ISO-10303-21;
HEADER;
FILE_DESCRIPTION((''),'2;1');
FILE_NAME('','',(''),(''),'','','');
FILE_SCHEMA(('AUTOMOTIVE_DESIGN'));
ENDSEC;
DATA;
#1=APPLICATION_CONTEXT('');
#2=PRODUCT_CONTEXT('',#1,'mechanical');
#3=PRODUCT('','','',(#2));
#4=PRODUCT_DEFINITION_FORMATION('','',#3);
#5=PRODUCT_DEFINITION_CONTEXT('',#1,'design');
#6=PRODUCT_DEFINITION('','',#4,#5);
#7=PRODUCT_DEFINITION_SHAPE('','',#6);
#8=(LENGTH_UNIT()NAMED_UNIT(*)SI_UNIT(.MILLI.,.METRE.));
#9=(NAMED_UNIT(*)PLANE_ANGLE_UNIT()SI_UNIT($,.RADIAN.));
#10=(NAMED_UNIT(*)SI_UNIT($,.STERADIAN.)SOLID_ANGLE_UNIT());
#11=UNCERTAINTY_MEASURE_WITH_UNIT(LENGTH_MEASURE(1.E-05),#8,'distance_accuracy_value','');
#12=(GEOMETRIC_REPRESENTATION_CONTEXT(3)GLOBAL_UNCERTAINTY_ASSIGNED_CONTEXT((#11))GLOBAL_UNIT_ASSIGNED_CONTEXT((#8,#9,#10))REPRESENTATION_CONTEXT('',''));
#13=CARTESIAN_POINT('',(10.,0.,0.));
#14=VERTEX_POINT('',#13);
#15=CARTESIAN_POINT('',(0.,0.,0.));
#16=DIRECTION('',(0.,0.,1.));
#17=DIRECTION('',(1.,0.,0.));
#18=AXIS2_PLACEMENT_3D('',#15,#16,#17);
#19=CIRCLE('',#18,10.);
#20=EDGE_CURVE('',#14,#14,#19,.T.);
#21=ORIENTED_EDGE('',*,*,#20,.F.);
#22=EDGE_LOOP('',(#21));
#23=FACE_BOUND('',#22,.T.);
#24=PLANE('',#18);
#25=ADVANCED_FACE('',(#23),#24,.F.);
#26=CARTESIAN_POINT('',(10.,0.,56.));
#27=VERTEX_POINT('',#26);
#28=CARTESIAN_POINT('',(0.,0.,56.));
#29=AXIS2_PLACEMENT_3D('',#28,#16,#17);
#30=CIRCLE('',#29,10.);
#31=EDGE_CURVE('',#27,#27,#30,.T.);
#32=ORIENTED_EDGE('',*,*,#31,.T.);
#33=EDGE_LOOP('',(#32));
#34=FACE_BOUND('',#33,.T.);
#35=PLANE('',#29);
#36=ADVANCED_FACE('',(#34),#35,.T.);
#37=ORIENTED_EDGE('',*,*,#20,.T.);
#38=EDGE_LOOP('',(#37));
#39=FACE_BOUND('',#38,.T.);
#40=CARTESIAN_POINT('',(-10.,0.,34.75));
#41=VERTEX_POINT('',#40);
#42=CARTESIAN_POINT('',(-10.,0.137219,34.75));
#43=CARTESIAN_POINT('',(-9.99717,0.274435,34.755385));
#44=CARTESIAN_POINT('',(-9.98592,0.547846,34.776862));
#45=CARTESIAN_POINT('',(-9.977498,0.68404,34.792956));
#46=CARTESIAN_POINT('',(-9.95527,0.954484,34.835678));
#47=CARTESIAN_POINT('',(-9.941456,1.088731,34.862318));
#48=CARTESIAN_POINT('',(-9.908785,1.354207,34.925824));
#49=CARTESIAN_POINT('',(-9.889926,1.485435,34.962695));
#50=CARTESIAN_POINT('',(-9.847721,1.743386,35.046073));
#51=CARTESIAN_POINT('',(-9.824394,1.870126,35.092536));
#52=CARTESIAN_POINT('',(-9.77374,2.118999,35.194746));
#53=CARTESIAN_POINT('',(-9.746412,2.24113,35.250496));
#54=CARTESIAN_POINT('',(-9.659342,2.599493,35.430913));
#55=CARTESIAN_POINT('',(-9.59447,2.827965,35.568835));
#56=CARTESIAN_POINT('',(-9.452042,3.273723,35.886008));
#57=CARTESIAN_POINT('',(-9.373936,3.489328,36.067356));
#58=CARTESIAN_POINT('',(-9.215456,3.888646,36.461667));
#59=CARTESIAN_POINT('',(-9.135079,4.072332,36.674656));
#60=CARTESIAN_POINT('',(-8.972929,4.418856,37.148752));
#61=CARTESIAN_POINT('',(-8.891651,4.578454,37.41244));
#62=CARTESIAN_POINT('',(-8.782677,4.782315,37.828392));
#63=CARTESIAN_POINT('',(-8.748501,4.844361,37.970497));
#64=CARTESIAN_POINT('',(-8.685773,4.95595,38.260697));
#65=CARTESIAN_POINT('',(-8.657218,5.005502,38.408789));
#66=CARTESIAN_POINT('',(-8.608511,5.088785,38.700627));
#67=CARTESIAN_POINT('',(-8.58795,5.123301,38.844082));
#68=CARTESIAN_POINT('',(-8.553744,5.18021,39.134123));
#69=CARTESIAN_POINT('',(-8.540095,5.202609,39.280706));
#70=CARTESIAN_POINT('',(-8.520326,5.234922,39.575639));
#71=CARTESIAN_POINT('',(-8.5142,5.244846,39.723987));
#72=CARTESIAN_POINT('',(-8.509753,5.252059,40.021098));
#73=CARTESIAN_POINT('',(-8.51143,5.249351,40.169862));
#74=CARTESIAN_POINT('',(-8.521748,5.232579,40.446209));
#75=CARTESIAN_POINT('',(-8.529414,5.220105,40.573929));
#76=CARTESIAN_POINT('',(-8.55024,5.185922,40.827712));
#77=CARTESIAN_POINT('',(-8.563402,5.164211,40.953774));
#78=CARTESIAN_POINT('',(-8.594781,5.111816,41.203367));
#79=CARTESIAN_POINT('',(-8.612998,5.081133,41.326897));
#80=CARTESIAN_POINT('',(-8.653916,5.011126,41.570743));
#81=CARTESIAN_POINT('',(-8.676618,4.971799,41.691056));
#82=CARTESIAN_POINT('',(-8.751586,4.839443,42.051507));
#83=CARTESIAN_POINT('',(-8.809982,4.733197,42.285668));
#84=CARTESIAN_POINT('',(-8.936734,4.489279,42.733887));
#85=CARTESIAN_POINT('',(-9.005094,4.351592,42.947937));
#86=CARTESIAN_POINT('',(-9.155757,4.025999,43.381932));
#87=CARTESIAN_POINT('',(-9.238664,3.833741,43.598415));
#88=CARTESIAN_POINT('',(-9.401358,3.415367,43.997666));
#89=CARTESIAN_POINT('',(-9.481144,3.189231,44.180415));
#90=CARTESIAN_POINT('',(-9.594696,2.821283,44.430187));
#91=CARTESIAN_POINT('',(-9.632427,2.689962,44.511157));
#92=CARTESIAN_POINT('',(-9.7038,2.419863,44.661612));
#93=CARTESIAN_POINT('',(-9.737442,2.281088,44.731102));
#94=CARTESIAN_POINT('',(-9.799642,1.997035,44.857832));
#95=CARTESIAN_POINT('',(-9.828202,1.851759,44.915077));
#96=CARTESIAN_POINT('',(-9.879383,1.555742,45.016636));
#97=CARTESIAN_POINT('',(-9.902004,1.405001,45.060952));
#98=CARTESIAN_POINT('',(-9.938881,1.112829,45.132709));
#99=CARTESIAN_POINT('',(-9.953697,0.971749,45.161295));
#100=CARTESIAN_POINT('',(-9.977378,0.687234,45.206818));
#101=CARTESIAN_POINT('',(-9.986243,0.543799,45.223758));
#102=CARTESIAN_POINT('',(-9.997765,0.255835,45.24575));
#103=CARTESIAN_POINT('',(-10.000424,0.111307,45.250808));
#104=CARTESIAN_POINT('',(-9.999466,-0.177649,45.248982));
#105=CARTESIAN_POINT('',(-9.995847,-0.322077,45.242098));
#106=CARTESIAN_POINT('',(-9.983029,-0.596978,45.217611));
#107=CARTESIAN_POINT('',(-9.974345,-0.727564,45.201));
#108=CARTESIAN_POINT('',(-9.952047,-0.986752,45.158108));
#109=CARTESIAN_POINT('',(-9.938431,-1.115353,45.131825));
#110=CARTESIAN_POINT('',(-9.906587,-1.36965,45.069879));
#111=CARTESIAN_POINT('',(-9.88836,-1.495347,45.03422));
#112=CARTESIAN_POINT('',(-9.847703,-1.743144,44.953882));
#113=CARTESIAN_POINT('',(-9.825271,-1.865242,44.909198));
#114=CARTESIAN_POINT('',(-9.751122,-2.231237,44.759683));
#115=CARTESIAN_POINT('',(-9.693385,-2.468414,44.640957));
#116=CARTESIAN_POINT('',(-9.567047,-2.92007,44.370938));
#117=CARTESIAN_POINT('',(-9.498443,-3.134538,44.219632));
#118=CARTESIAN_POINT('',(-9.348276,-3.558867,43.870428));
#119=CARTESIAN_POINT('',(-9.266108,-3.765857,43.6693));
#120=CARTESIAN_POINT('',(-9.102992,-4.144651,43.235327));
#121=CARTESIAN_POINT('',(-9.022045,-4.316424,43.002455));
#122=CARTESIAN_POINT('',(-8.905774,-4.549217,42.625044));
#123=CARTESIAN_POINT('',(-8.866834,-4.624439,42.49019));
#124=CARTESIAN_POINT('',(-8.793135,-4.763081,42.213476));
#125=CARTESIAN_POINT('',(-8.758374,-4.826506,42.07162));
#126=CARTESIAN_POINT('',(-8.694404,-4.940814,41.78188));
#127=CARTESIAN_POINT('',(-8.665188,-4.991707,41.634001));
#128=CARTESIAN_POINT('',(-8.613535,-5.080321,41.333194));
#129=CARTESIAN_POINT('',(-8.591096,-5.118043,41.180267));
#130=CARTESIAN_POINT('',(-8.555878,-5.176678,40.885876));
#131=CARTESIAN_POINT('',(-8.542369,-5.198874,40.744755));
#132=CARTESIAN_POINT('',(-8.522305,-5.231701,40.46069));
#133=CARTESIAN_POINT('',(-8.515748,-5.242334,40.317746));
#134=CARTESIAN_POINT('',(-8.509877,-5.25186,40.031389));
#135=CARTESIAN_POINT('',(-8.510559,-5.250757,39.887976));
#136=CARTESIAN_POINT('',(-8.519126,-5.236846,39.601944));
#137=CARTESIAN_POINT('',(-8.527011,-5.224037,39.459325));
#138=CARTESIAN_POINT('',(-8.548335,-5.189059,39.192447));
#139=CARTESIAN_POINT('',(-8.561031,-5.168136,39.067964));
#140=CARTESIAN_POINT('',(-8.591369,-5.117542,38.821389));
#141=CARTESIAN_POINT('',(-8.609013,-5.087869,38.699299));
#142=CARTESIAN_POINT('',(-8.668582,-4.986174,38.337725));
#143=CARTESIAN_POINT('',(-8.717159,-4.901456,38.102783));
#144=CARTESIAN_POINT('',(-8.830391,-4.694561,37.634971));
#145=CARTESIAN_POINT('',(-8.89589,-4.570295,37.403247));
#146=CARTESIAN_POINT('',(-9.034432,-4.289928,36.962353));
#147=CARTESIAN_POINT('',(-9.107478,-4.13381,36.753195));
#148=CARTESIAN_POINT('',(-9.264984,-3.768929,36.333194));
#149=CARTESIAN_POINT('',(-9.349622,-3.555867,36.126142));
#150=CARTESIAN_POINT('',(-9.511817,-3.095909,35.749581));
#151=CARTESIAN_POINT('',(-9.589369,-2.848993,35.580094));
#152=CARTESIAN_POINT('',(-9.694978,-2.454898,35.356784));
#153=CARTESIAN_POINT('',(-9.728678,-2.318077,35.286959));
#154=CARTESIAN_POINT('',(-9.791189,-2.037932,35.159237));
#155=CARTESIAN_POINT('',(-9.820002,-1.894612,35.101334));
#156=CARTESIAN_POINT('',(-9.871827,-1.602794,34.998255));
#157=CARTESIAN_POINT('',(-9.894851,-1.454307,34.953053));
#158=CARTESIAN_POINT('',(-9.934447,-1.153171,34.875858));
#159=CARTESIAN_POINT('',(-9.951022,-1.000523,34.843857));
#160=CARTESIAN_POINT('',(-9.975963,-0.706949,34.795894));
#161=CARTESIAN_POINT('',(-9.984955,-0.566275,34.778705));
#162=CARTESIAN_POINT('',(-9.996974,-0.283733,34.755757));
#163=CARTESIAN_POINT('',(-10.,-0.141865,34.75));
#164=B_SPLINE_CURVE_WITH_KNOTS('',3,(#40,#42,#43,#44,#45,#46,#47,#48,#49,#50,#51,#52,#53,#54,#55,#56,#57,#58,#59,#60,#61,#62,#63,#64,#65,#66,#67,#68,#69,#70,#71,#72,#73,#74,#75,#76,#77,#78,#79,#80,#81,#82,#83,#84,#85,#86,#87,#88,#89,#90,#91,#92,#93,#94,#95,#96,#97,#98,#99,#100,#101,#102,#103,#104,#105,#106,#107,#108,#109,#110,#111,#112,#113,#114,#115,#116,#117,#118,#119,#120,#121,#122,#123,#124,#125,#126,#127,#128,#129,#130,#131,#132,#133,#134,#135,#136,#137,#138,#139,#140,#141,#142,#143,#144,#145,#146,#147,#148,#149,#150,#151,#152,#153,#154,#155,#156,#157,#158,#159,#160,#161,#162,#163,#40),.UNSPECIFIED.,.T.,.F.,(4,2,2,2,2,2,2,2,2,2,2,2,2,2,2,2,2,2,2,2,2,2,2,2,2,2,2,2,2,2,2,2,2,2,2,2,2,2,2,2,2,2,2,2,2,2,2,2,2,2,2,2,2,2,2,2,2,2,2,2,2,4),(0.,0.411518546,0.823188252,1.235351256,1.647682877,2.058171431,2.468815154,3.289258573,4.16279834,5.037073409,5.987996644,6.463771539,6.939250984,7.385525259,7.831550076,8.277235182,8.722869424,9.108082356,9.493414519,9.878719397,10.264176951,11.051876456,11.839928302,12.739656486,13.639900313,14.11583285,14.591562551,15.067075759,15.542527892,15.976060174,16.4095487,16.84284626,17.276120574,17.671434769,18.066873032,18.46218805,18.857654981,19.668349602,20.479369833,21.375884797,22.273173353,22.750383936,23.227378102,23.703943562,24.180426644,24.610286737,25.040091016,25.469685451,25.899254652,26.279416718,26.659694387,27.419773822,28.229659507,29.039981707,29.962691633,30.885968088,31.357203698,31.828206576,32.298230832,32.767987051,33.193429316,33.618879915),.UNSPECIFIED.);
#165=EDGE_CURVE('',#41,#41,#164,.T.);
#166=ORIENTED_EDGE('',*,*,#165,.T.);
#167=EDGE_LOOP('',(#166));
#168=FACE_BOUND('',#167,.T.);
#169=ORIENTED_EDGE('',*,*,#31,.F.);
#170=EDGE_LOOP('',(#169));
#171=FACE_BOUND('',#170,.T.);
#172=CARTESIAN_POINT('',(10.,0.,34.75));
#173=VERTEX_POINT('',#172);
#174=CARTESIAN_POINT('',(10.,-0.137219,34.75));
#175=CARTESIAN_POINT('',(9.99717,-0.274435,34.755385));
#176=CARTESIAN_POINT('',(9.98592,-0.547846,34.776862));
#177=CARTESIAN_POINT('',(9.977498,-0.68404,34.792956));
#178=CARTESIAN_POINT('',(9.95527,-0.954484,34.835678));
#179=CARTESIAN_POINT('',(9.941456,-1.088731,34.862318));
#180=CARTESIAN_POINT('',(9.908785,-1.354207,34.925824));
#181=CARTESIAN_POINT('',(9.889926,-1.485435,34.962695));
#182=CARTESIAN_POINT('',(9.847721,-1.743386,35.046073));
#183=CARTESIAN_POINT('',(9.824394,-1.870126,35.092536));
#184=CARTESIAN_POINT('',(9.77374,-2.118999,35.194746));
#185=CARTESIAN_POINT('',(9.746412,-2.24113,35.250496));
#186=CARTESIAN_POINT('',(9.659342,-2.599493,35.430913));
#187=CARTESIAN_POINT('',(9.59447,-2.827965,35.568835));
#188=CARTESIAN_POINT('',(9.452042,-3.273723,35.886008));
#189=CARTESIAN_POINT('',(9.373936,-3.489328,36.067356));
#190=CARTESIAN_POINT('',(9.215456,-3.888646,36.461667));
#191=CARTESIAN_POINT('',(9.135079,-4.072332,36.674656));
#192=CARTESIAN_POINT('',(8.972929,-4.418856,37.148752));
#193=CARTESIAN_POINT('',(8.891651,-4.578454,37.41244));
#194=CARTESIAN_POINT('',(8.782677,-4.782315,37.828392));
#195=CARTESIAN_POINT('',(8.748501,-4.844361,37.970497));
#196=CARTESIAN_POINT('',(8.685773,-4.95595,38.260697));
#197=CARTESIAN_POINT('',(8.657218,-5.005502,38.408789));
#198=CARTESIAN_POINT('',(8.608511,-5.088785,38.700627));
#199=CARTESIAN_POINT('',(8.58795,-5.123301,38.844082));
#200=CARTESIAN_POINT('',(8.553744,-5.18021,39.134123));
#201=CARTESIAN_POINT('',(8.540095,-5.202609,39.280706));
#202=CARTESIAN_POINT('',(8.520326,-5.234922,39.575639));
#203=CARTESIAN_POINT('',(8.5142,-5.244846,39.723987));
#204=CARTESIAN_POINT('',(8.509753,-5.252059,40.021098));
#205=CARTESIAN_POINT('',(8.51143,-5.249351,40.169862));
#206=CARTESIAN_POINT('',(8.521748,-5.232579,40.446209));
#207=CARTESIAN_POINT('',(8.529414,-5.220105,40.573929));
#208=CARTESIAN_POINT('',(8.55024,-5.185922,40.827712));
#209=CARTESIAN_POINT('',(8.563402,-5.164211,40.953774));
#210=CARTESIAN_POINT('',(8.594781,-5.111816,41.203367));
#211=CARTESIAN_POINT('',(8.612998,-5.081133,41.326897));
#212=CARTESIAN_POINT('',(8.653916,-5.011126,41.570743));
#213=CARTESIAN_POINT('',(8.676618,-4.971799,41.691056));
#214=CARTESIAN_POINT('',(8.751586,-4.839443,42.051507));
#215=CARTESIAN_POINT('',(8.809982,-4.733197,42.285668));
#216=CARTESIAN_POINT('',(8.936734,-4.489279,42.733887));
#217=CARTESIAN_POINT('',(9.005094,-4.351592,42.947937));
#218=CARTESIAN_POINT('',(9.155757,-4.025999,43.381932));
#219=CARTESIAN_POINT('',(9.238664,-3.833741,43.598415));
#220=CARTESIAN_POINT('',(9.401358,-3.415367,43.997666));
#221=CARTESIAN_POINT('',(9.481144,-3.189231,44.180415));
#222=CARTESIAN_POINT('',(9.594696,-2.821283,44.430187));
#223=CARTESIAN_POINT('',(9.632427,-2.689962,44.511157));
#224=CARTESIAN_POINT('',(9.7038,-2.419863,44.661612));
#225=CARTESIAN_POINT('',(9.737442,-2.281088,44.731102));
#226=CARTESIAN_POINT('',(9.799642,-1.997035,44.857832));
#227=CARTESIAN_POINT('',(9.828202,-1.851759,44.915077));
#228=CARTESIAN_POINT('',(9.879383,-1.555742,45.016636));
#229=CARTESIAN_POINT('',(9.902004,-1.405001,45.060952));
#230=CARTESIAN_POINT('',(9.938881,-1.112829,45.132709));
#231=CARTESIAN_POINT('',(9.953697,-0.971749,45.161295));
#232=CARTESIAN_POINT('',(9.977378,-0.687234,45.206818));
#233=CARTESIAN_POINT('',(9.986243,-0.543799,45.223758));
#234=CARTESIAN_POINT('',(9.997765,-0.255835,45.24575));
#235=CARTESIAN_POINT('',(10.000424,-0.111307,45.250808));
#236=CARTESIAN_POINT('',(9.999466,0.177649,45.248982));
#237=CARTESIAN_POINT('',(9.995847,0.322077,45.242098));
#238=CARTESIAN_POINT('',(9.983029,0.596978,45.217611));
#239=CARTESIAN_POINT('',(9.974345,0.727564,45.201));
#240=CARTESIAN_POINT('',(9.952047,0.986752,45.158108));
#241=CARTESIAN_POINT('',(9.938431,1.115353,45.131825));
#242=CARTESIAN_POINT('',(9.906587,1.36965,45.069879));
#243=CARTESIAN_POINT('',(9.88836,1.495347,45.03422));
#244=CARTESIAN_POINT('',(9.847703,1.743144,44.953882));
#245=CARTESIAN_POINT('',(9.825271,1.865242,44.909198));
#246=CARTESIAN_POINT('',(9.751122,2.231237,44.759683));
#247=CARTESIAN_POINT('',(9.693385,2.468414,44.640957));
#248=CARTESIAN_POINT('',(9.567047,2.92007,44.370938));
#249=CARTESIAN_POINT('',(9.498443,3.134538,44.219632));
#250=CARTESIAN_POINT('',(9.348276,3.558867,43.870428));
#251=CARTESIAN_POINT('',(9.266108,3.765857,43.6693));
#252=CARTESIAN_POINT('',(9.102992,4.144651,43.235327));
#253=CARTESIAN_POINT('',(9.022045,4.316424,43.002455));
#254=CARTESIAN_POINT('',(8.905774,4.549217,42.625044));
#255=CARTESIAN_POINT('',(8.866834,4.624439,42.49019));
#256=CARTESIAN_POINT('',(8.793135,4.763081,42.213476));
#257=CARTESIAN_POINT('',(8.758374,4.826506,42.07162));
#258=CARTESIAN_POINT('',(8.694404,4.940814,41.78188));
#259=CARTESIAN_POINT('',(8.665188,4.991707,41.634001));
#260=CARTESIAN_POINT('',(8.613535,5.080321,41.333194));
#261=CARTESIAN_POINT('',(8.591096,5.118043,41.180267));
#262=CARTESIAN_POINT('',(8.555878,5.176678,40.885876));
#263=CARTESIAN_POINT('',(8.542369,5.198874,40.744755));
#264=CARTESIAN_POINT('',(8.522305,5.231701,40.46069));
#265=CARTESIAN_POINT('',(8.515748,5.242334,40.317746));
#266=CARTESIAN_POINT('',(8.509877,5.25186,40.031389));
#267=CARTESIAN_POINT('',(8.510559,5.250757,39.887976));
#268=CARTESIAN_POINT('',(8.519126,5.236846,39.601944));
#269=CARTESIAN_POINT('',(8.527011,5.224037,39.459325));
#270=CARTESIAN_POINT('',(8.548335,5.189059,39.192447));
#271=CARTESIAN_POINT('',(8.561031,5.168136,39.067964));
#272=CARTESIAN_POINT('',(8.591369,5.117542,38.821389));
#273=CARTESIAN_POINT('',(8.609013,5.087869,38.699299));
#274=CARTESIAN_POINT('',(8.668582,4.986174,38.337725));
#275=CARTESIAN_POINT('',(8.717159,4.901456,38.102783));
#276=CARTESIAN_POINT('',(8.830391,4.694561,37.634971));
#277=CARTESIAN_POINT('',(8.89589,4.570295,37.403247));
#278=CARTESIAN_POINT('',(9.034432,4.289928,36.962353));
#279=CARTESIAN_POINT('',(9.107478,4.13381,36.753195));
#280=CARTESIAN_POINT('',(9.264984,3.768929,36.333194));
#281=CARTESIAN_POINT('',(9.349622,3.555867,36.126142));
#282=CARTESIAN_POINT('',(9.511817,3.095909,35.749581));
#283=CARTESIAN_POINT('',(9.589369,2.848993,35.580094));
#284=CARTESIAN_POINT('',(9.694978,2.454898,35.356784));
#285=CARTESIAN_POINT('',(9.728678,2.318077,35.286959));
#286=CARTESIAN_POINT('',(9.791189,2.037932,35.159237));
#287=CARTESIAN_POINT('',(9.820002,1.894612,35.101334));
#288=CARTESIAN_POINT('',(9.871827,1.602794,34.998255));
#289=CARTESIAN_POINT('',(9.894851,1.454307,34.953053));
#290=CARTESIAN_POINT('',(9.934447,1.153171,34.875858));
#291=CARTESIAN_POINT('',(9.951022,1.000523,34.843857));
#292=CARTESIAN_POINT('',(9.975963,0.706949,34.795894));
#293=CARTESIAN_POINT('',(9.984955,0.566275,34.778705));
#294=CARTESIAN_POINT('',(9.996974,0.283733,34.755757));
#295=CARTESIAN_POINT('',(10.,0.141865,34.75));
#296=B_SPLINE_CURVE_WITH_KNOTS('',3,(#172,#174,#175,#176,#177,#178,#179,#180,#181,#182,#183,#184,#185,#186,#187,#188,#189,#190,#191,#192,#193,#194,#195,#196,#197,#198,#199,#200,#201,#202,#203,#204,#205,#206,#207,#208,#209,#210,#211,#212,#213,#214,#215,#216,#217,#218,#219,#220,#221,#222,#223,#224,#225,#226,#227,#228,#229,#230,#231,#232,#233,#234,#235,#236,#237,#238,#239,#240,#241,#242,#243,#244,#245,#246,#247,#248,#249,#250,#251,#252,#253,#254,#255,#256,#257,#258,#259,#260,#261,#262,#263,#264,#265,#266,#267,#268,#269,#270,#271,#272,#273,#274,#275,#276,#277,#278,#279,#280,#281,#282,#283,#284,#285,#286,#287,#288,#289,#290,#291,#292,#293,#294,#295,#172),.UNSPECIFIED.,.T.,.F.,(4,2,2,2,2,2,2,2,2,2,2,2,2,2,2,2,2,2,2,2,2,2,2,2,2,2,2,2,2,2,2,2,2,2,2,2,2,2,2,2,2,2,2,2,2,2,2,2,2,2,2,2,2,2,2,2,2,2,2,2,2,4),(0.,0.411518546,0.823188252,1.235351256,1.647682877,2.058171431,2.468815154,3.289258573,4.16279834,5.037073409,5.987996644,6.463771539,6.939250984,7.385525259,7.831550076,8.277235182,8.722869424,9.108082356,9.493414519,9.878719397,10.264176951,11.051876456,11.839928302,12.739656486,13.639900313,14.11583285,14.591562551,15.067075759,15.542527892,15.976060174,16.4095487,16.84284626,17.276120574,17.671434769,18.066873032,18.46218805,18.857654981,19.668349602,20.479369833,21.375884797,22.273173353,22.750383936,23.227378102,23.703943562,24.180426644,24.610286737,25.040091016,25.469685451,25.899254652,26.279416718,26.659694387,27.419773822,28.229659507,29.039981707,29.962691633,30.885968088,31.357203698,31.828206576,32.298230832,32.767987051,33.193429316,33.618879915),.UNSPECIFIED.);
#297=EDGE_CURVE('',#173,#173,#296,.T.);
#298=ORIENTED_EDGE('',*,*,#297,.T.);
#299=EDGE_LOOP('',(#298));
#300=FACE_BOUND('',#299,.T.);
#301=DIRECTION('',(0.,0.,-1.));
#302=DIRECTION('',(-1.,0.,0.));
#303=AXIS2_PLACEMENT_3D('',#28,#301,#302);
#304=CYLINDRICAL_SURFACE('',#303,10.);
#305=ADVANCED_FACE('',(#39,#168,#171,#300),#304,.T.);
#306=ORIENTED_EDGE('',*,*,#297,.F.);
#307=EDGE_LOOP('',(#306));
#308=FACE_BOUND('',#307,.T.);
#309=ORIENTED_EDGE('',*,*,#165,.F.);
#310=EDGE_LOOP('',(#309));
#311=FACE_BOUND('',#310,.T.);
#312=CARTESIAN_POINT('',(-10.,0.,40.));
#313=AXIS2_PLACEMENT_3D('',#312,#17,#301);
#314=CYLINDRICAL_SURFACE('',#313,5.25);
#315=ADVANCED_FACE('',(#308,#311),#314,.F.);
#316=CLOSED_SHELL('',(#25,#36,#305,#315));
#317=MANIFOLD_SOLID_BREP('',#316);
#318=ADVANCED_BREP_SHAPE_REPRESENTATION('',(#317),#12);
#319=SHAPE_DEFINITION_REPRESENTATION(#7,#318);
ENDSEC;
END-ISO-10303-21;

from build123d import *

# Parameters (mm, degrees)
IZIM1_R                     = 10
Y_KSEKLIK_EKSTR_ZYON1_DEPTH = 56
KES_EKSTR_ZYON2_DEPTH       = 58.758116313
KES_EKSTR_ZYON2_DEPTH_BACK  = 58.758116313
IZIM2_R                     = 5.25


with BuildPart() as part:
    # Çizim1 → Yükseklik-Ekstrüzyon1 (new body)
    with BuildSketch(Plane.XY):
        Circle(IZIM1_R)
    extrude(amount=Y_KSEKLIK_EKSTR_ZYON1_DEPTH)

    # Çizim2 → Kes-Ekstrüzyon2 (cut, two sides: drawn at the far end of the back side and taken through both)
    with BuildSketch(Plane(origin=(0, 0, 0), x_dir=(0, 0, -1), z_dir=(1, 0, 0)).offset(-KES_EKSTR_ZYON2_DEPTH_BACK)):
        with Locations((-40, 0)):
            Circle(IZIM2_R)
    extrude(amount=KES_EKSTR_ZYON2_DEPTH + KES_EKSTR_ZYON2_DEPTH_BACK, mode=Mode.SUBTRACT)


solid = part.part
